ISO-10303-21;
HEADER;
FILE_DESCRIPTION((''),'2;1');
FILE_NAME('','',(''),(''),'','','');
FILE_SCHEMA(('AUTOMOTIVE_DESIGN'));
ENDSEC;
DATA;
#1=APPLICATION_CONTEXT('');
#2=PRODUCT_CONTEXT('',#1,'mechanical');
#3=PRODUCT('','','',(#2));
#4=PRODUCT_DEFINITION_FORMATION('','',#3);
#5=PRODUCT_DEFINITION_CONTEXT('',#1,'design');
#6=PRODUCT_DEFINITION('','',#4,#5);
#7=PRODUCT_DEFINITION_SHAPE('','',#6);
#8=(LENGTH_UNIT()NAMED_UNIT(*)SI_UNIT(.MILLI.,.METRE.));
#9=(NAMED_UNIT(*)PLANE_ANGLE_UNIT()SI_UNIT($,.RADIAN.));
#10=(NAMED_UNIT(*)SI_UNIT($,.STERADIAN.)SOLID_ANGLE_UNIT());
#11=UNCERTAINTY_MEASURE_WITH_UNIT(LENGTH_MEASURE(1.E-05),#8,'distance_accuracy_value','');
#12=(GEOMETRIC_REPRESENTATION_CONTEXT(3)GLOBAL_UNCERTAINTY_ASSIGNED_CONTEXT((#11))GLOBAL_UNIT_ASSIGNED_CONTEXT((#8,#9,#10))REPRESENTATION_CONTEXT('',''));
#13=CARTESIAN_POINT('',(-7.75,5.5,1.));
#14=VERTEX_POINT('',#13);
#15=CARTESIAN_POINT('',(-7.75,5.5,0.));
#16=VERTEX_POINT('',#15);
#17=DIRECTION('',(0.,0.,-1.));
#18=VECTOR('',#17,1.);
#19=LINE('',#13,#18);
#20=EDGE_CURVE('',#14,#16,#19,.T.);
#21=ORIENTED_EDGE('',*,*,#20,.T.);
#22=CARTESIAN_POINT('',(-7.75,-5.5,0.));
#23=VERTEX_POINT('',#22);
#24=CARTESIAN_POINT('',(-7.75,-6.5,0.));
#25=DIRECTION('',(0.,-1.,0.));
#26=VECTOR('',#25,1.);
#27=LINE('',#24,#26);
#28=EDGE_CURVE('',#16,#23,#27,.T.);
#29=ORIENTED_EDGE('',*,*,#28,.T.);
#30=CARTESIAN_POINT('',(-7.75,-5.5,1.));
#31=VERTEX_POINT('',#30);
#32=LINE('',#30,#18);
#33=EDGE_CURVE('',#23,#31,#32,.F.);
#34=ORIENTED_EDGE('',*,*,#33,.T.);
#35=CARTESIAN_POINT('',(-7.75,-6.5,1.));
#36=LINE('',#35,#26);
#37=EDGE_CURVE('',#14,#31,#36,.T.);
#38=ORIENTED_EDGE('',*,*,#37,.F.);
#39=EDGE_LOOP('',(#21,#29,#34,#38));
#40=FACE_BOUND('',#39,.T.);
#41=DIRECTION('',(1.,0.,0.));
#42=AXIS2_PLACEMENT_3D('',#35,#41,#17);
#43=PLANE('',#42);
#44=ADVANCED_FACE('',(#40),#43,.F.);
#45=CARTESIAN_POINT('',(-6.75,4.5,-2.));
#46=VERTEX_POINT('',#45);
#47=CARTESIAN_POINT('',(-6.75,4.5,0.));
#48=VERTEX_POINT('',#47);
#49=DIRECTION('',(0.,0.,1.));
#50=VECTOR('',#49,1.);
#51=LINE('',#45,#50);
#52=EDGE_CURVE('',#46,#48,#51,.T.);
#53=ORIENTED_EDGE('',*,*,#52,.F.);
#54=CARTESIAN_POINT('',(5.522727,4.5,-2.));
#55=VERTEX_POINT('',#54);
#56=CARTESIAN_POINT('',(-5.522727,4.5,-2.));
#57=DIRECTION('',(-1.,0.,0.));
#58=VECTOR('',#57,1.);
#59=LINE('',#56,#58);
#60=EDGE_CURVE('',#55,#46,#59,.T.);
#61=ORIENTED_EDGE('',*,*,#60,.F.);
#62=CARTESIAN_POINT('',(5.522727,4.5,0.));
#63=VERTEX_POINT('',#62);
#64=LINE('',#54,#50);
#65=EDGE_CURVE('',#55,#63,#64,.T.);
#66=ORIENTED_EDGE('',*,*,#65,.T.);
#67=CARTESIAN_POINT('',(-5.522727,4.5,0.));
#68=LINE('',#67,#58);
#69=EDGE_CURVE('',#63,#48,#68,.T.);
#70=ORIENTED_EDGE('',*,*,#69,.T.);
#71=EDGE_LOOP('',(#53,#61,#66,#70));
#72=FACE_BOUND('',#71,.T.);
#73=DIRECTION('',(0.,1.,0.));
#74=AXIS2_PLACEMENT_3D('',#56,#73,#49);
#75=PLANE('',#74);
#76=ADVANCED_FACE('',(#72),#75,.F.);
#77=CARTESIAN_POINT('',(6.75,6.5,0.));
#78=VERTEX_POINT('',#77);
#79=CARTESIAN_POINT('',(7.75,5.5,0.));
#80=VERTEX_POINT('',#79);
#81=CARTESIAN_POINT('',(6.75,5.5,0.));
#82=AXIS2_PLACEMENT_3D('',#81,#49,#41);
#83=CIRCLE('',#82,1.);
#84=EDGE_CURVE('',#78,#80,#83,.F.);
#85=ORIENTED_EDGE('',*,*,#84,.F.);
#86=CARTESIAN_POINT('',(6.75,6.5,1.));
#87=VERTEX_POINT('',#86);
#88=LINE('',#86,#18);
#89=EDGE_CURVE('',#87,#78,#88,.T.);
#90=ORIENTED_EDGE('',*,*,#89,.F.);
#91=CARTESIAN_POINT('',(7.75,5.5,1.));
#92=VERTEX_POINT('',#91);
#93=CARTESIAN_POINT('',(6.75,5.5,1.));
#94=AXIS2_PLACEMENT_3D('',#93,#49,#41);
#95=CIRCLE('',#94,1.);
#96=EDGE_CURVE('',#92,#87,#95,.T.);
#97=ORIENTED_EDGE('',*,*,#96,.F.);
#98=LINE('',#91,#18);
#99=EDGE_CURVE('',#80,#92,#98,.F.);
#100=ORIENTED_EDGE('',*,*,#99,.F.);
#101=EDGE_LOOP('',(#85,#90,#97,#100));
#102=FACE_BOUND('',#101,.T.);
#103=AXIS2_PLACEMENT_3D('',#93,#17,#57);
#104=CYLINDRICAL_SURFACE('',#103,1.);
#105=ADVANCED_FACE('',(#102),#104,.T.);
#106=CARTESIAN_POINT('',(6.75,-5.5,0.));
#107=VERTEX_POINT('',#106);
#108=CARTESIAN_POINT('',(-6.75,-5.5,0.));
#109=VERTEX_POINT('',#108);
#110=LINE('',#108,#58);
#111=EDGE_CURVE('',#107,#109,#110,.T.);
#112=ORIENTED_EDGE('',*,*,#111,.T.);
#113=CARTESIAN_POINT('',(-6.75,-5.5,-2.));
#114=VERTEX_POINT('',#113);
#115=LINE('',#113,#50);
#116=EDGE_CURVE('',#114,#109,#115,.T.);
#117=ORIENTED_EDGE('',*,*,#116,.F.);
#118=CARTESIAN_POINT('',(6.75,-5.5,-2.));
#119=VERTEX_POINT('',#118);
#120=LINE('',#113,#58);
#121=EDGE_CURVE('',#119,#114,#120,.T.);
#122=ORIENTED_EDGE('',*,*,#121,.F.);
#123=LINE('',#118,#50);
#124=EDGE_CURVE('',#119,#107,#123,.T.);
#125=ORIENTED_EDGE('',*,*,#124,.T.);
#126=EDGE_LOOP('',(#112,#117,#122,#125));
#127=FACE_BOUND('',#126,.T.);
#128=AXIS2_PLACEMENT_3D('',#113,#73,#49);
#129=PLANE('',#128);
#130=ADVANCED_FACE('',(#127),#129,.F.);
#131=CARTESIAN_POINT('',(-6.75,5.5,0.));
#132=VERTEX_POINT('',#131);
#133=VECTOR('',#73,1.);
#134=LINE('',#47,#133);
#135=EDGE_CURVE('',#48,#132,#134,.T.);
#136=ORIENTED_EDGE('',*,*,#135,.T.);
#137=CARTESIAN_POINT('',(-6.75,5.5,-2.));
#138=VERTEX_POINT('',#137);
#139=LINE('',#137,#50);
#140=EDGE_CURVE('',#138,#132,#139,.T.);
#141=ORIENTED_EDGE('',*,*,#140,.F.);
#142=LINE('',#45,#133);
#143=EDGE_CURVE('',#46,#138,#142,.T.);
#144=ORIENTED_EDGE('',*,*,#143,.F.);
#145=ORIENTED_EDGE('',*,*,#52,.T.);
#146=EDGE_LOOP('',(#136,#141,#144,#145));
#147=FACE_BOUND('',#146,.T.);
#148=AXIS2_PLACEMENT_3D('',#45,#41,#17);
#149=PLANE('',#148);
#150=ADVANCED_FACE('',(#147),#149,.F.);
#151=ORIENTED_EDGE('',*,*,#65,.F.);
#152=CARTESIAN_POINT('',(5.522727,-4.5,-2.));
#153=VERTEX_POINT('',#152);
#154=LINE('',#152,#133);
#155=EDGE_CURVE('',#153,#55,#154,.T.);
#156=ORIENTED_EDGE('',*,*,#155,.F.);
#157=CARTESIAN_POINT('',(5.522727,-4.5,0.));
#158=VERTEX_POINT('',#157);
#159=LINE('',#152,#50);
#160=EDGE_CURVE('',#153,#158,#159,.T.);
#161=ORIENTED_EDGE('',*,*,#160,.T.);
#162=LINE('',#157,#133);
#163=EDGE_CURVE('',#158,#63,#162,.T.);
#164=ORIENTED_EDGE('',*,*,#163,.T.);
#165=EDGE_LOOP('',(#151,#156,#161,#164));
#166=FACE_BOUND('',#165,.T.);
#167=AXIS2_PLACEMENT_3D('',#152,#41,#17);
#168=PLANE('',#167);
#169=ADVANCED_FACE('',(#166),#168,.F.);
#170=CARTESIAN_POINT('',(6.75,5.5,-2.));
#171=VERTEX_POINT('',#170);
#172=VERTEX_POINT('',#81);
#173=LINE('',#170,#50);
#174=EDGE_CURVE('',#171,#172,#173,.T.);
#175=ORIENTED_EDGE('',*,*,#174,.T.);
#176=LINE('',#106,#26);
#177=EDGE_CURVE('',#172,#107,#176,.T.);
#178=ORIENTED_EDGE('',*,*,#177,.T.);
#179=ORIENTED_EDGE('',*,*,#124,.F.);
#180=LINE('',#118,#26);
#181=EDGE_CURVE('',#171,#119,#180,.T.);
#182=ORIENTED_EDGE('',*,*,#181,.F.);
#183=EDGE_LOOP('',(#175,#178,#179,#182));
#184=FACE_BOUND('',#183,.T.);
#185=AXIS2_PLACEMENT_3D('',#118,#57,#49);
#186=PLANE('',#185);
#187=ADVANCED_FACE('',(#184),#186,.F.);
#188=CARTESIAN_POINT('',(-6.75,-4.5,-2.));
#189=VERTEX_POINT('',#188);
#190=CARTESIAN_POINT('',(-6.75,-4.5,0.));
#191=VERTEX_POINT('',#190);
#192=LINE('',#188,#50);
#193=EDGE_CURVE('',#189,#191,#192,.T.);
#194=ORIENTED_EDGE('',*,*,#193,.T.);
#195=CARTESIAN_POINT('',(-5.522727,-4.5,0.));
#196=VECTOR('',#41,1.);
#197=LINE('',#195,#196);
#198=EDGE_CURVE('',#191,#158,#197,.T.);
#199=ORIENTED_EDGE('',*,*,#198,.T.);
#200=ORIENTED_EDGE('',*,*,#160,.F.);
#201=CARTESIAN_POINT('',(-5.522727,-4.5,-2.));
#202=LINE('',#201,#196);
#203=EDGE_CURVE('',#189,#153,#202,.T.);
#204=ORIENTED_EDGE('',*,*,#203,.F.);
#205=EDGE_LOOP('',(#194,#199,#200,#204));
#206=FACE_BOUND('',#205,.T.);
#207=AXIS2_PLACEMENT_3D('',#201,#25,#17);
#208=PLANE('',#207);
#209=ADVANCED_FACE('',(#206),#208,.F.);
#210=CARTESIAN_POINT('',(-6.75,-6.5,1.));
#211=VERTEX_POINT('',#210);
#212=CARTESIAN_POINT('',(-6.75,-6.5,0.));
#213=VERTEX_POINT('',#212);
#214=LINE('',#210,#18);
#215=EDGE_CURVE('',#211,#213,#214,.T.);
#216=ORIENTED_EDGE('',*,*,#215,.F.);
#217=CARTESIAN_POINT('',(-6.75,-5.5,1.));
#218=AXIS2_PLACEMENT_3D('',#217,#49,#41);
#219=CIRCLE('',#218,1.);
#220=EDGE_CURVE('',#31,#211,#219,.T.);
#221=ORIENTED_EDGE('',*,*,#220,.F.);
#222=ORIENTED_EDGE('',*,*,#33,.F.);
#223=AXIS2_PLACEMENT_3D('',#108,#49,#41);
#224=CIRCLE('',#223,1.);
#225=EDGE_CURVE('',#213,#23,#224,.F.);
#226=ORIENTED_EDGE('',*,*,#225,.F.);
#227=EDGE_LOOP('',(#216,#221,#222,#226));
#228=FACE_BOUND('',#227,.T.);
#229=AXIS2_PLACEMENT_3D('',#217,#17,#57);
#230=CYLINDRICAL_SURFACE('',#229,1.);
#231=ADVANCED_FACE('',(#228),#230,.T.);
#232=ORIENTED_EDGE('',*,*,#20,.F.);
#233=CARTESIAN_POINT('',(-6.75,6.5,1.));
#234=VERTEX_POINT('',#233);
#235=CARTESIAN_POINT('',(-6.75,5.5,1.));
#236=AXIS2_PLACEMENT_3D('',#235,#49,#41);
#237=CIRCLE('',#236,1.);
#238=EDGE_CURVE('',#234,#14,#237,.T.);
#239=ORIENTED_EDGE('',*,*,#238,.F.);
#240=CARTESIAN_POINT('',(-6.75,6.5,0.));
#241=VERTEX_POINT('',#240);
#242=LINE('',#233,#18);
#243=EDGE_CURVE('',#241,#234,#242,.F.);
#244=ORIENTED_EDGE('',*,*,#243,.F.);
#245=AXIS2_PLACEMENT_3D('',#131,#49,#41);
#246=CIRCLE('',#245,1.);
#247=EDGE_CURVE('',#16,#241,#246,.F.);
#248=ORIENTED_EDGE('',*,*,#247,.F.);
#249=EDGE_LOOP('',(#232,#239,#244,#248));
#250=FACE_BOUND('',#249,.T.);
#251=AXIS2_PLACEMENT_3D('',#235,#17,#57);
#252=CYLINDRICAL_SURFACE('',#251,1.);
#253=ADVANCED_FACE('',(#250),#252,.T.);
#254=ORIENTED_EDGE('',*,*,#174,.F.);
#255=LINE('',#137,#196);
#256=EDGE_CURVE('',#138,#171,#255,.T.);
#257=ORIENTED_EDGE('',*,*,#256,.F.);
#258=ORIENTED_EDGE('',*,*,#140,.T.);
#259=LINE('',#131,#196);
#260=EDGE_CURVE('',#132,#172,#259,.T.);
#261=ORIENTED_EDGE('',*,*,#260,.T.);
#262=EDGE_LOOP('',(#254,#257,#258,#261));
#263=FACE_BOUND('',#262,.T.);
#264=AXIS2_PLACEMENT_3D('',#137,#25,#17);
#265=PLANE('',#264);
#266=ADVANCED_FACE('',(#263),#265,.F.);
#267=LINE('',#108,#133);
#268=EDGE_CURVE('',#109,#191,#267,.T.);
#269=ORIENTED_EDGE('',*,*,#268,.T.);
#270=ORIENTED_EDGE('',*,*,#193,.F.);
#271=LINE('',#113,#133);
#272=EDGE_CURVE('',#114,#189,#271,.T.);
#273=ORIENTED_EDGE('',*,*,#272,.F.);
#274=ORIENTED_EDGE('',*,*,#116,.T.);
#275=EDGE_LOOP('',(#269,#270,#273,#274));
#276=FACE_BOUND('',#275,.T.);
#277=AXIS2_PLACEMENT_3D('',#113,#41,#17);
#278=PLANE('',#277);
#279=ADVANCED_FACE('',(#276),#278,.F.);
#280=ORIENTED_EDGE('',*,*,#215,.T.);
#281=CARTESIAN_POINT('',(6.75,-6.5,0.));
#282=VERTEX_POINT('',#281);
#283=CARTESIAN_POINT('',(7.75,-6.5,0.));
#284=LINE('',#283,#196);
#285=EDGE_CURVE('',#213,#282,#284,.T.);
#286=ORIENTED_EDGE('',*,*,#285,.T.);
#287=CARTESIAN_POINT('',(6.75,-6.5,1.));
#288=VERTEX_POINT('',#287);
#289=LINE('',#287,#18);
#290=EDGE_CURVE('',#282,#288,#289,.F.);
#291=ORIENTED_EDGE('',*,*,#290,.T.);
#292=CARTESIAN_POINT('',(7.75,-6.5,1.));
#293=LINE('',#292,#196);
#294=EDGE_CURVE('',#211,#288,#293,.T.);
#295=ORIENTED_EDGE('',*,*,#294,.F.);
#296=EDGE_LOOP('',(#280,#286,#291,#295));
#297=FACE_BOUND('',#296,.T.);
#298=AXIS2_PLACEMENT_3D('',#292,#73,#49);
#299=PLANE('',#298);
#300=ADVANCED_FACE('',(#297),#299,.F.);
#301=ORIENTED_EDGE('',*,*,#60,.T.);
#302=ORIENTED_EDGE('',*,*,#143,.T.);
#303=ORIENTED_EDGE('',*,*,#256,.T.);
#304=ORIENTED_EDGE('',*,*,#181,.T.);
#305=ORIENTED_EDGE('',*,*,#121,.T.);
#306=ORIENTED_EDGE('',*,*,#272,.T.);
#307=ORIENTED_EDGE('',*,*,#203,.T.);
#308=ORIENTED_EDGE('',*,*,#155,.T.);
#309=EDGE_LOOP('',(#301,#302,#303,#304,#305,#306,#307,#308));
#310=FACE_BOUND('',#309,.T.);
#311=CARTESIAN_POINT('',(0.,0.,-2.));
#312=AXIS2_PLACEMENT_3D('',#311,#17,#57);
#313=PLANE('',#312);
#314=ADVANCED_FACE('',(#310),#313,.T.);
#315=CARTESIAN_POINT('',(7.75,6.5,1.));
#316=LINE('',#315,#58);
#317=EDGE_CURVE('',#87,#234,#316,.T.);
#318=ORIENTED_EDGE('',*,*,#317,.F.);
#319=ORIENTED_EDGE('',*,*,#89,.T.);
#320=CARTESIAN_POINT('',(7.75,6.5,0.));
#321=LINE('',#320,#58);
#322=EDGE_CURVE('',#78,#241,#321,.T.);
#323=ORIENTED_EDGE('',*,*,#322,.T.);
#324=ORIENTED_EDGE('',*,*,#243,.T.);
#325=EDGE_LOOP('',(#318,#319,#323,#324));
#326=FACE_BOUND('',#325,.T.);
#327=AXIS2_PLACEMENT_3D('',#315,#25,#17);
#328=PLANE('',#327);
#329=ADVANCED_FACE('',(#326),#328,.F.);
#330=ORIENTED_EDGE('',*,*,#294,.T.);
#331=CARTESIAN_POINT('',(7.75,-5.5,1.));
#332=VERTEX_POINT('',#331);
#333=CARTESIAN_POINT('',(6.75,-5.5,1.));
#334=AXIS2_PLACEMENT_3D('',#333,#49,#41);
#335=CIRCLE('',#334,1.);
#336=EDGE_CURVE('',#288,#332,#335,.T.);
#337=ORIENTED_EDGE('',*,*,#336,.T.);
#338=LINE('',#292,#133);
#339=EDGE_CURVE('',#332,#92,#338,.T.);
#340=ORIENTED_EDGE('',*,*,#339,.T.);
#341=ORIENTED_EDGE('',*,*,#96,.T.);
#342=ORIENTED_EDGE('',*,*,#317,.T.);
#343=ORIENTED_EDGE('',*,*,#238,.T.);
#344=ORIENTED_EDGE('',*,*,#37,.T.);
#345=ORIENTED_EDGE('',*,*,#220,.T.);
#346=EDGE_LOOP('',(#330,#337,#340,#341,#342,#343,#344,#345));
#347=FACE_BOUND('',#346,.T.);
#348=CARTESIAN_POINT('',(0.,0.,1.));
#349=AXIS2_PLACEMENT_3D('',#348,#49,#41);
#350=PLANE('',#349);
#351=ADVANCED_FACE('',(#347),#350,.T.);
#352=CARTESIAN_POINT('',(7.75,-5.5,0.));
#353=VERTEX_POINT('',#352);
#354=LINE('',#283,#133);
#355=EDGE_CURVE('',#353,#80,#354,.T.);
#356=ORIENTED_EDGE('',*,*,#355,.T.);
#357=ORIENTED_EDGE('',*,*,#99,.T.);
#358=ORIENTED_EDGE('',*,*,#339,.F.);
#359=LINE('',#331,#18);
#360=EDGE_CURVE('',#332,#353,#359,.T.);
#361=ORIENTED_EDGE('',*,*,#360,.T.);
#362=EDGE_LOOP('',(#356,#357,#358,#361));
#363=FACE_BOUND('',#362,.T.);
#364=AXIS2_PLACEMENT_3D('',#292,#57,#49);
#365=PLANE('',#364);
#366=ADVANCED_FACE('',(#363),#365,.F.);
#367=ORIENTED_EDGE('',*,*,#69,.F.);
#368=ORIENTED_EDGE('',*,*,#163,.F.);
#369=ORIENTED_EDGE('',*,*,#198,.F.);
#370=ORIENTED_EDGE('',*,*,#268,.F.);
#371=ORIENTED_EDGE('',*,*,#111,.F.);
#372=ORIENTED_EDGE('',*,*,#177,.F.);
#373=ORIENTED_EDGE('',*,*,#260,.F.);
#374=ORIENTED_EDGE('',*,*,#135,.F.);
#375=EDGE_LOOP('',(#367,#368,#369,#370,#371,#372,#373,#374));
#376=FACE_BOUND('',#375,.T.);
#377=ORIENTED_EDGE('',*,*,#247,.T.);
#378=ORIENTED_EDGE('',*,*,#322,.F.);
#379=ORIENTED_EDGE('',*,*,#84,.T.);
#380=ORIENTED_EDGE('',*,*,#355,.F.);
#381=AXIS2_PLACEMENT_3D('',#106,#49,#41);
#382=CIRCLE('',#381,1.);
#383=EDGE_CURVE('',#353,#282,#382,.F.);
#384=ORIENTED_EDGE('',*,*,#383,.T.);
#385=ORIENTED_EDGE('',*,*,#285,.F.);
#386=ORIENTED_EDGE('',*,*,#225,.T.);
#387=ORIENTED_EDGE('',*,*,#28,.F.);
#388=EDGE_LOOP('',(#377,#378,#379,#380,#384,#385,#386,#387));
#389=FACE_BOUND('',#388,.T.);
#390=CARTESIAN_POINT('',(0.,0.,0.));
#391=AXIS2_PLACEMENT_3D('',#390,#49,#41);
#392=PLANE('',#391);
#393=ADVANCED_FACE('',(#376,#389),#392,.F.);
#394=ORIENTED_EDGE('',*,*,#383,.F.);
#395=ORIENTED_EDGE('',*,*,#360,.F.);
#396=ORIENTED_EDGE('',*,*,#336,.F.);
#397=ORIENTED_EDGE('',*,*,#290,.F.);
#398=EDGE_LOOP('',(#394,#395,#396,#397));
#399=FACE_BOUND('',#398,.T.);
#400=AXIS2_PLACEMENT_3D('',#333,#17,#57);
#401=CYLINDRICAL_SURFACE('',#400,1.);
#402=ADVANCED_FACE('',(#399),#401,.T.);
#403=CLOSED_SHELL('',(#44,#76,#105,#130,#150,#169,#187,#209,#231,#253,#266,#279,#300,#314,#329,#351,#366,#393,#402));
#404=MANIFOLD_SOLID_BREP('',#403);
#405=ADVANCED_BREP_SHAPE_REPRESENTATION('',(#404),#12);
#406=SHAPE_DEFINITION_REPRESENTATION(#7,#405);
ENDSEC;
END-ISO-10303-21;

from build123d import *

# Parameters (mm, degrees)
ESQUISSE2_W        = 15.5
ESQUISSE2_H        = 13
BOSS_EXTRU_1_DEPTH = 1
BOSS_EXTRU_2_DEPTH = 2
CONG_1_R           = 1


with BuildPart() as part:
    # Esquisse2 → Boss.-Extru.1 (new body)
    with BuildSketch(Plane.XY):
        Rectangle(ESQUISSE2_W, ESQUISSE2_H)
    extrude(amount=BOSS_EXTRU_1_DEPTH)

    # Esquisse3 → Boss.-Extru.2 (add)
    with BuildSketch(Plane(origin=(0, 0, 0), x_dir=(-1, 0, 0), z_dir=(0, 0, -1))):
        Polygon((5.522727273, -4.5), (6.75, -4.5), (6.75, -5.5), (-6.75, -5.5), (-6.75, 5.5), (6.75, 5.5), (6.75, 4.5), (5.522727273, 4.5), (-5.522727273, 4.5), (-5.522727273, -4.5), align=None)
    extrude(amount=BOSS_EXTRU_2_DEPTH)

    # Congé1
    cong_1_edges = [part.edges().sort_by_distance(p)[0] for p in [
        (-7.75, 6.5, 0.5),
        (7.75, 6.5, 0.5),
        (7.75, -6.5, 0.5),
        (-7.75, -6.5, 0.5),
    ]]
    fillet(cong_1_edges, radius=CONG_1_R)


solid = part.part
